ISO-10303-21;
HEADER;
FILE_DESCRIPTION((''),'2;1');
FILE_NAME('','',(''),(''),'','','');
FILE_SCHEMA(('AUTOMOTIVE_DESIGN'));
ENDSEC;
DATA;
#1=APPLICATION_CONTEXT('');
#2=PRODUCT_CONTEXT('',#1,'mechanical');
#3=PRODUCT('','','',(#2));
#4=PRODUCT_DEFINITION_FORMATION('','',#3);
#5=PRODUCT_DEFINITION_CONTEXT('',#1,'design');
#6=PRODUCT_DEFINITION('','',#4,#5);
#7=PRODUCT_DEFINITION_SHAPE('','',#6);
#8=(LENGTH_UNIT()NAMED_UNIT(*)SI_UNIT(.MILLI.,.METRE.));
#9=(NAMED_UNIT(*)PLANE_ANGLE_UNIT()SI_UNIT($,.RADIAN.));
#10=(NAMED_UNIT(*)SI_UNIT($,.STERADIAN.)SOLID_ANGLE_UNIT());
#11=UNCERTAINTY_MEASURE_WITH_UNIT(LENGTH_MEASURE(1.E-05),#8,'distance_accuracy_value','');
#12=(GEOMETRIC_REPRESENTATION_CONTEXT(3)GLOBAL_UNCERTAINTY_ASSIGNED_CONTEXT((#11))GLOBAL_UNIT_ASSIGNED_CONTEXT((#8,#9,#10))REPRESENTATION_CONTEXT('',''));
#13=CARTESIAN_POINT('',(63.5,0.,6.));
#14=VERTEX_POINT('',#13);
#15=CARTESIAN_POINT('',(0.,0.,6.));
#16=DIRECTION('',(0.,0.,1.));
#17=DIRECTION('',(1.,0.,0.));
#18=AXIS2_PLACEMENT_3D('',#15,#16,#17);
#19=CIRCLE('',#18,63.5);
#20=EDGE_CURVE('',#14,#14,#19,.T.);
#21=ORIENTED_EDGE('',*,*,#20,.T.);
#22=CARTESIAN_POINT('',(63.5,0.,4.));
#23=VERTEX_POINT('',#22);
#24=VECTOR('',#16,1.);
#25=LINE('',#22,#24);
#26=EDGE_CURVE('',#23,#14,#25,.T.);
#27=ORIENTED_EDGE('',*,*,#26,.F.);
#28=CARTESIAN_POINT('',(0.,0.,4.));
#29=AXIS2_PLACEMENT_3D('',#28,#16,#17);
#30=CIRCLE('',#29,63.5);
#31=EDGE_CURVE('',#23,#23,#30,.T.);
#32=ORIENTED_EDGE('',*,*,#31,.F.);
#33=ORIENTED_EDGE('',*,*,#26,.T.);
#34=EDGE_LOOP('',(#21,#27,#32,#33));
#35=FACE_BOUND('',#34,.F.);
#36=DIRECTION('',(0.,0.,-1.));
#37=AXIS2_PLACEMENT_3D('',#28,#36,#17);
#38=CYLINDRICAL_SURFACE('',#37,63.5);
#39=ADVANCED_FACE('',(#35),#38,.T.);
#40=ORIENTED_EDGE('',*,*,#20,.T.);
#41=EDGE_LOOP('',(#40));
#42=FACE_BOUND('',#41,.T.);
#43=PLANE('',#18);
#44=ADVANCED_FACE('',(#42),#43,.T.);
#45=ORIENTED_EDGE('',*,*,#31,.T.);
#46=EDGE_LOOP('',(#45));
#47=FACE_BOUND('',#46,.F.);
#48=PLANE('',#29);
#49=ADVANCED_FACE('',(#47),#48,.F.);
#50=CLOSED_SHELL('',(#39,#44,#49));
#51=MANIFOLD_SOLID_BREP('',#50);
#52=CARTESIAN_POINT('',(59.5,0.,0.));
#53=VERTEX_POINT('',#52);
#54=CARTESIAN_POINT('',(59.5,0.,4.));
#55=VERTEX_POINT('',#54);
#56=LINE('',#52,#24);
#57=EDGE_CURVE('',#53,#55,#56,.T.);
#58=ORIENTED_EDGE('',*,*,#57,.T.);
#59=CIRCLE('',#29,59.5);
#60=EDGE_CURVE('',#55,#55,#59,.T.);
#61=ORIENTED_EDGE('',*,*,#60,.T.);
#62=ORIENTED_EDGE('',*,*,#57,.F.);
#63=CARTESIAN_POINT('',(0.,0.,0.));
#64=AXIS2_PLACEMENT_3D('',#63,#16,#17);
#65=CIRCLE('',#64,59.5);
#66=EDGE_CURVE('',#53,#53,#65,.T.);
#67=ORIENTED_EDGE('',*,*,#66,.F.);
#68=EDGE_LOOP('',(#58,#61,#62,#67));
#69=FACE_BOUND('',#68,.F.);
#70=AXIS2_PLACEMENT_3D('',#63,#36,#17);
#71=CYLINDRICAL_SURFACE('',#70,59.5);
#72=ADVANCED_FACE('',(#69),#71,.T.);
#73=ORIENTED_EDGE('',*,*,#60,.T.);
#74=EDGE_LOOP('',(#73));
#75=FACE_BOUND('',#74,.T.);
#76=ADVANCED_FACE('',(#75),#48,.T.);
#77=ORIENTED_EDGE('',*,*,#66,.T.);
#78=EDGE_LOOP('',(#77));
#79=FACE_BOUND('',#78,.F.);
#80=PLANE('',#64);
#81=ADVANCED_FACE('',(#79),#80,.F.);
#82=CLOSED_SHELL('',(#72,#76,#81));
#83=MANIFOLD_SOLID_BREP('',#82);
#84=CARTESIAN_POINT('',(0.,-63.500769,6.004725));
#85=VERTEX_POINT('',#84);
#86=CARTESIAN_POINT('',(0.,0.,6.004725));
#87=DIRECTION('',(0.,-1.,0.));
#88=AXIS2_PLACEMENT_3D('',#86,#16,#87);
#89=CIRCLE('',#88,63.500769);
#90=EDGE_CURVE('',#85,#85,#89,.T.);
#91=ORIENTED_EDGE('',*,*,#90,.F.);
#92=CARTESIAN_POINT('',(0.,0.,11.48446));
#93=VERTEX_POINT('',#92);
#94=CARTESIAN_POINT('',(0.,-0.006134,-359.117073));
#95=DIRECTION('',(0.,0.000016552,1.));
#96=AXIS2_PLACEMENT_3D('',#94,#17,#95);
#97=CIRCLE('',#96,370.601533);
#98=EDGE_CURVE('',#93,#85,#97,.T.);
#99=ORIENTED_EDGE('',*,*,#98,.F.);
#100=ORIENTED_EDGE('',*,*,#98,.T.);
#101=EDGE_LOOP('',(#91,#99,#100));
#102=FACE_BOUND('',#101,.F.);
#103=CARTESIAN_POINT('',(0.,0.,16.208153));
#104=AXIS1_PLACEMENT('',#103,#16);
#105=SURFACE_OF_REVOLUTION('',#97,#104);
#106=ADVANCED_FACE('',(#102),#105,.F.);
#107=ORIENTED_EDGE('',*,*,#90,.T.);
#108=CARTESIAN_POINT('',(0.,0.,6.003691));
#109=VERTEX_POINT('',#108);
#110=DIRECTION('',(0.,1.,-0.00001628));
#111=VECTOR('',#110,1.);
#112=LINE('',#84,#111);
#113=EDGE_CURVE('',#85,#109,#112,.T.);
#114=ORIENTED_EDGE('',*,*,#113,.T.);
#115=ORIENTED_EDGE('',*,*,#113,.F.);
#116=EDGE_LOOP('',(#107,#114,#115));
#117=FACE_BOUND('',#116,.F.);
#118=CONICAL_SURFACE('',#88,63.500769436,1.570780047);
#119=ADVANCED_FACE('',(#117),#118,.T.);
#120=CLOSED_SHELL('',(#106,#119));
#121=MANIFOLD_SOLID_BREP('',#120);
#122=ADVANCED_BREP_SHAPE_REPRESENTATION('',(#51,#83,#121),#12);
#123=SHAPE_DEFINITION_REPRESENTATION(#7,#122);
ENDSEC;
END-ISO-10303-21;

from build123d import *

# Parameters (mm, degrees)
F0_R     = 59.5
F1_DEPTH = 4
F2_START = 4
F0_R_2   = 63.5
F2_DEPTH = 2


with BuildPart() as f1:
    # F0 (on Top) → F1 (new body)
    with BuildSketch(Plane.XY):
        Circle(F0_R)
    extrude(amount=F1_DEPTH)


with BuildPart() as f2:
    # F0 (on Top) → F2 (new body)
    with BuildSketch(Plane.XY.offset(F2_START)):
        Circle(F0_R_2)
        Circle(F0_R, mode=Mode.SUBTRACT)
        Circle(F0_R)
    extrude(amount=F2_DEPTH)


with BuildPart() as f4:
    # F3 (on Right) → F4 (revolve)
    with BuildSketch(Plane.YZ):
        with BuildLine():
            Line((0, 6.0036913461), (0, 11.4844598427))
            ThreePointArc((0, 11.4844598427), (-31.8684052127, 10.1122485047), (-63.5007694364, 6.0047251172))
            Line((-63.5007694364, 6.0047251172), (0, 6.0036913461))
        make_face()
    revolve(axis=Axis((0, 0, 16.208153218), (0, 0, 1)))


solid = Compound([f1.part, f2.part, f4.part])
